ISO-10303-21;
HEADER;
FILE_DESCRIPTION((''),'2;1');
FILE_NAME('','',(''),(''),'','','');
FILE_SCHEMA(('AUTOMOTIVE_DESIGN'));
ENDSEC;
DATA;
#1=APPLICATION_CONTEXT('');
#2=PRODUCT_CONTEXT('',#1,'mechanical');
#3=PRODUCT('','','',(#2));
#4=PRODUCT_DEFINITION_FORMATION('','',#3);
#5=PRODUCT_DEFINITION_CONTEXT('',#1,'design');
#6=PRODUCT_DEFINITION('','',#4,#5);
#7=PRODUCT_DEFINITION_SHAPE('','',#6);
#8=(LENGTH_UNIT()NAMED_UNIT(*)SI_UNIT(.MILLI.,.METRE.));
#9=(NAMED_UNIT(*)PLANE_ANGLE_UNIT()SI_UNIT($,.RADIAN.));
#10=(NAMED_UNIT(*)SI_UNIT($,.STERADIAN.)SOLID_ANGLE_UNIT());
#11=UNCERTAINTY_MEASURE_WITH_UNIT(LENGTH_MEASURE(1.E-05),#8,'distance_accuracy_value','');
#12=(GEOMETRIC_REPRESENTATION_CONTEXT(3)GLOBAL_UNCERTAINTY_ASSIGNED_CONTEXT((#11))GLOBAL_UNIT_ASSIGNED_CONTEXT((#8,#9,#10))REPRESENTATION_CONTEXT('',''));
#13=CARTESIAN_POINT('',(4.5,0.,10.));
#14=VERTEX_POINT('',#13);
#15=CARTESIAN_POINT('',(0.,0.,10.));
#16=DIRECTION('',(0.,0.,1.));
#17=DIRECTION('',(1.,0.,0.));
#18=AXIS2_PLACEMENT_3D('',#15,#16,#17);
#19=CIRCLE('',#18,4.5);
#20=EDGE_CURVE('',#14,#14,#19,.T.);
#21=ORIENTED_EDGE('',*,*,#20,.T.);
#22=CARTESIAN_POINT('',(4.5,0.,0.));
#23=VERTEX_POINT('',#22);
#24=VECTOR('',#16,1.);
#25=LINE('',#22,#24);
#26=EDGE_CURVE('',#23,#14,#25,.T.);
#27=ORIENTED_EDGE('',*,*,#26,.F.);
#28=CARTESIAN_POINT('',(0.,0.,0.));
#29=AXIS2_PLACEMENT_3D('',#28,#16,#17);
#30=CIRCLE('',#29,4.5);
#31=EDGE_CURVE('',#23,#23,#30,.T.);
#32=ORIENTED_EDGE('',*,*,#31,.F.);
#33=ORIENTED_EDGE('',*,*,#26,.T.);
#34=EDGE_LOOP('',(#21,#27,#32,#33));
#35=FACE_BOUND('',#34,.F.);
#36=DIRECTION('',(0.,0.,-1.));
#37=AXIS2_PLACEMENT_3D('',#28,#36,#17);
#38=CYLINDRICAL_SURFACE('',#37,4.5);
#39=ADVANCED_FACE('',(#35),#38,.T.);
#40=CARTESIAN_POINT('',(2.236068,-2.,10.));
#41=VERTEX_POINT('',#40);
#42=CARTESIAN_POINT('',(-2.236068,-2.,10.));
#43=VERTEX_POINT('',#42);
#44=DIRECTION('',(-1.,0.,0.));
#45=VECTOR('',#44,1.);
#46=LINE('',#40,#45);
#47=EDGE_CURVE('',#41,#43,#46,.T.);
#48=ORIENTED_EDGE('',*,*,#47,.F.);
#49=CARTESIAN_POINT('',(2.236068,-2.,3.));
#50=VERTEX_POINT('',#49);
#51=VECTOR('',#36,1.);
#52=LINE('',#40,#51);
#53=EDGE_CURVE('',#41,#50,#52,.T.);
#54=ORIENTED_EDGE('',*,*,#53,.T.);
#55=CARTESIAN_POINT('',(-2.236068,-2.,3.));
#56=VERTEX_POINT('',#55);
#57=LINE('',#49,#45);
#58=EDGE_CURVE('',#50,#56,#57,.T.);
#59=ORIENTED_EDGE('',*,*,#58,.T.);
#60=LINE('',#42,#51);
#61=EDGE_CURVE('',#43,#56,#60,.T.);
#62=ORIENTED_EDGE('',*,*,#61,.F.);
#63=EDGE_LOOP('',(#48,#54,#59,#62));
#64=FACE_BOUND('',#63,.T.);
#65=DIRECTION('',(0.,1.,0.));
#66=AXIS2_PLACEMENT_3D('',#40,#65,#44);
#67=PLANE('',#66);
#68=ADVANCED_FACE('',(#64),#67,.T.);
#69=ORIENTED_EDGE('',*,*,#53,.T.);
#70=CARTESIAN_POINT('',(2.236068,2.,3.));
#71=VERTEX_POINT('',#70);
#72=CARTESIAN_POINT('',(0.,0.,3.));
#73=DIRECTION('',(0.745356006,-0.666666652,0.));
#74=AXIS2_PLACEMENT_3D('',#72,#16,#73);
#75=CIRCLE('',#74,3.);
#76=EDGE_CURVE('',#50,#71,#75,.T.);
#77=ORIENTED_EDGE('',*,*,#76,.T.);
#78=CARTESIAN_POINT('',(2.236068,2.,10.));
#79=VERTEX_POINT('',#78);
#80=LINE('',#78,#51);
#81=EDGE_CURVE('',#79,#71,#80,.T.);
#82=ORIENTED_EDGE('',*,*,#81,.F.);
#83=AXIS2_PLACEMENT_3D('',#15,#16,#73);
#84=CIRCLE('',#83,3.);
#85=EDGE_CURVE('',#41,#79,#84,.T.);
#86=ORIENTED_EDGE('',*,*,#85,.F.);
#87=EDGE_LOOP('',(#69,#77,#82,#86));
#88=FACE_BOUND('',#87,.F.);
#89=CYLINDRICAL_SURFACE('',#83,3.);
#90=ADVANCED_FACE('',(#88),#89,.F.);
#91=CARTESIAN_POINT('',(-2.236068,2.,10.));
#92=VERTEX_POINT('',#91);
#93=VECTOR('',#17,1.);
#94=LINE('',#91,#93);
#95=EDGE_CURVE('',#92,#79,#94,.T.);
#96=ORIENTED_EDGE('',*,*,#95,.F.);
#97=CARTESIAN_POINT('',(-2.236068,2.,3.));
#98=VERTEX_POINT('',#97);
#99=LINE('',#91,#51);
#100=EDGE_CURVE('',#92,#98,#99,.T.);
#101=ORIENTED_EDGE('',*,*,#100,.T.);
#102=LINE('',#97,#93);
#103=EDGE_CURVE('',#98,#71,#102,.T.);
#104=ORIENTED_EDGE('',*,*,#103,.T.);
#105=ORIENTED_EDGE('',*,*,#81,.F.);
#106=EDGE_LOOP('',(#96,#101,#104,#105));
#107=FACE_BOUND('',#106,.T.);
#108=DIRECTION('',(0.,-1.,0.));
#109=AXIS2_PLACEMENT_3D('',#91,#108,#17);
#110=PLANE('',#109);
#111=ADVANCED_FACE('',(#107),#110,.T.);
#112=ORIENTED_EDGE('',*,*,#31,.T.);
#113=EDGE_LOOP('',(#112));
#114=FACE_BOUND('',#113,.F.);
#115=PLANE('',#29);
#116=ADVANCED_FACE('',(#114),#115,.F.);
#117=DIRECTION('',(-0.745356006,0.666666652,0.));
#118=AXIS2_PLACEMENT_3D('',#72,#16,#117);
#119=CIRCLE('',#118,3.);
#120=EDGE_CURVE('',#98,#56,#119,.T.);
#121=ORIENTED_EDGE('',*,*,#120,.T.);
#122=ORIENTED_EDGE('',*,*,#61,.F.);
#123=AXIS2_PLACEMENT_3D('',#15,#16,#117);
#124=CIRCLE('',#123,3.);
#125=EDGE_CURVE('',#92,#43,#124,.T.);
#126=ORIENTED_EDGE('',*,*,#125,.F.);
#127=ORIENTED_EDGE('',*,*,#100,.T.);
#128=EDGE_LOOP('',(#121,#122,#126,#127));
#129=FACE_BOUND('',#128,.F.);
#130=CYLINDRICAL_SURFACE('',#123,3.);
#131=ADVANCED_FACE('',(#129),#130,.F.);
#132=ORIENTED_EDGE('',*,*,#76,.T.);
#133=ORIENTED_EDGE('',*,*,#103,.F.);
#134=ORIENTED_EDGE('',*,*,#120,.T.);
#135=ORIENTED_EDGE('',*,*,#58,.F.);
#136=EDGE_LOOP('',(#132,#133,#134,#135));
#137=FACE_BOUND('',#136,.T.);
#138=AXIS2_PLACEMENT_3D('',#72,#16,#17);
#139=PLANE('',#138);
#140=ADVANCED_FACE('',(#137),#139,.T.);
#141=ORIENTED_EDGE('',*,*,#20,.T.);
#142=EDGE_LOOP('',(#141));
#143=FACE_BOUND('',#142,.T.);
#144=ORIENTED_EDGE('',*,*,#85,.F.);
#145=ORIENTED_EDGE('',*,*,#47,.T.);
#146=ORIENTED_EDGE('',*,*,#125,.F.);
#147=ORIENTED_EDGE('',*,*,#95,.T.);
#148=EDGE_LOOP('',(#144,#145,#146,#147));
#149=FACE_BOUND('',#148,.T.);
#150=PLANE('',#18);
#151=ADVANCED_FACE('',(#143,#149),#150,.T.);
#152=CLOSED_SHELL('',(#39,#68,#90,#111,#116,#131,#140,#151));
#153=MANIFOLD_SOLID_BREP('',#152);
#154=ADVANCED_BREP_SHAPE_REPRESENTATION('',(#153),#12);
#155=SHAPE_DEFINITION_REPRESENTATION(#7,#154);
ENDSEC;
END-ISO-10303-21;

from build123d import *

# Parameters (mm, degrees)
EXTRUDE001_DEPTH = 7
CYLINDER_R       = 4.5
CYLINDER_DEPTH   = 10


with BuildPart() as extrude001:
    # Sketch002 (on Face3 of Cylinder) → Extrude001 (new body)
    with BuildSketch(Plane.XY.offset(10)):
        with BuildLine():
            ThreePointArc((2.236068, -2), (3, 0), (2.236068, 2))
            Line((-2.236068, 2), (2.236068, 2))
            ThreePointArc((-2.236068, 2), (-3, 0), (-2.236068, -2))
            Line((2.236068, -2), (-2.236068, -2))
        make_face()
    extrude(amount=-EXTRUDE001_DEPTH)


with BuildPart() as cut_for_support:
    # Cylinder → Cylinder (new body)
    with BuildSketch(Plane.XY):
        Circle(CYLINDER_R)
    extrude(amount=CYLINDER_DEPTH)

    # Cut001: cut Extrude001
    add(extrude001.part, mode=Mode.SUBTRACT)


solid = cut_for_support.part
